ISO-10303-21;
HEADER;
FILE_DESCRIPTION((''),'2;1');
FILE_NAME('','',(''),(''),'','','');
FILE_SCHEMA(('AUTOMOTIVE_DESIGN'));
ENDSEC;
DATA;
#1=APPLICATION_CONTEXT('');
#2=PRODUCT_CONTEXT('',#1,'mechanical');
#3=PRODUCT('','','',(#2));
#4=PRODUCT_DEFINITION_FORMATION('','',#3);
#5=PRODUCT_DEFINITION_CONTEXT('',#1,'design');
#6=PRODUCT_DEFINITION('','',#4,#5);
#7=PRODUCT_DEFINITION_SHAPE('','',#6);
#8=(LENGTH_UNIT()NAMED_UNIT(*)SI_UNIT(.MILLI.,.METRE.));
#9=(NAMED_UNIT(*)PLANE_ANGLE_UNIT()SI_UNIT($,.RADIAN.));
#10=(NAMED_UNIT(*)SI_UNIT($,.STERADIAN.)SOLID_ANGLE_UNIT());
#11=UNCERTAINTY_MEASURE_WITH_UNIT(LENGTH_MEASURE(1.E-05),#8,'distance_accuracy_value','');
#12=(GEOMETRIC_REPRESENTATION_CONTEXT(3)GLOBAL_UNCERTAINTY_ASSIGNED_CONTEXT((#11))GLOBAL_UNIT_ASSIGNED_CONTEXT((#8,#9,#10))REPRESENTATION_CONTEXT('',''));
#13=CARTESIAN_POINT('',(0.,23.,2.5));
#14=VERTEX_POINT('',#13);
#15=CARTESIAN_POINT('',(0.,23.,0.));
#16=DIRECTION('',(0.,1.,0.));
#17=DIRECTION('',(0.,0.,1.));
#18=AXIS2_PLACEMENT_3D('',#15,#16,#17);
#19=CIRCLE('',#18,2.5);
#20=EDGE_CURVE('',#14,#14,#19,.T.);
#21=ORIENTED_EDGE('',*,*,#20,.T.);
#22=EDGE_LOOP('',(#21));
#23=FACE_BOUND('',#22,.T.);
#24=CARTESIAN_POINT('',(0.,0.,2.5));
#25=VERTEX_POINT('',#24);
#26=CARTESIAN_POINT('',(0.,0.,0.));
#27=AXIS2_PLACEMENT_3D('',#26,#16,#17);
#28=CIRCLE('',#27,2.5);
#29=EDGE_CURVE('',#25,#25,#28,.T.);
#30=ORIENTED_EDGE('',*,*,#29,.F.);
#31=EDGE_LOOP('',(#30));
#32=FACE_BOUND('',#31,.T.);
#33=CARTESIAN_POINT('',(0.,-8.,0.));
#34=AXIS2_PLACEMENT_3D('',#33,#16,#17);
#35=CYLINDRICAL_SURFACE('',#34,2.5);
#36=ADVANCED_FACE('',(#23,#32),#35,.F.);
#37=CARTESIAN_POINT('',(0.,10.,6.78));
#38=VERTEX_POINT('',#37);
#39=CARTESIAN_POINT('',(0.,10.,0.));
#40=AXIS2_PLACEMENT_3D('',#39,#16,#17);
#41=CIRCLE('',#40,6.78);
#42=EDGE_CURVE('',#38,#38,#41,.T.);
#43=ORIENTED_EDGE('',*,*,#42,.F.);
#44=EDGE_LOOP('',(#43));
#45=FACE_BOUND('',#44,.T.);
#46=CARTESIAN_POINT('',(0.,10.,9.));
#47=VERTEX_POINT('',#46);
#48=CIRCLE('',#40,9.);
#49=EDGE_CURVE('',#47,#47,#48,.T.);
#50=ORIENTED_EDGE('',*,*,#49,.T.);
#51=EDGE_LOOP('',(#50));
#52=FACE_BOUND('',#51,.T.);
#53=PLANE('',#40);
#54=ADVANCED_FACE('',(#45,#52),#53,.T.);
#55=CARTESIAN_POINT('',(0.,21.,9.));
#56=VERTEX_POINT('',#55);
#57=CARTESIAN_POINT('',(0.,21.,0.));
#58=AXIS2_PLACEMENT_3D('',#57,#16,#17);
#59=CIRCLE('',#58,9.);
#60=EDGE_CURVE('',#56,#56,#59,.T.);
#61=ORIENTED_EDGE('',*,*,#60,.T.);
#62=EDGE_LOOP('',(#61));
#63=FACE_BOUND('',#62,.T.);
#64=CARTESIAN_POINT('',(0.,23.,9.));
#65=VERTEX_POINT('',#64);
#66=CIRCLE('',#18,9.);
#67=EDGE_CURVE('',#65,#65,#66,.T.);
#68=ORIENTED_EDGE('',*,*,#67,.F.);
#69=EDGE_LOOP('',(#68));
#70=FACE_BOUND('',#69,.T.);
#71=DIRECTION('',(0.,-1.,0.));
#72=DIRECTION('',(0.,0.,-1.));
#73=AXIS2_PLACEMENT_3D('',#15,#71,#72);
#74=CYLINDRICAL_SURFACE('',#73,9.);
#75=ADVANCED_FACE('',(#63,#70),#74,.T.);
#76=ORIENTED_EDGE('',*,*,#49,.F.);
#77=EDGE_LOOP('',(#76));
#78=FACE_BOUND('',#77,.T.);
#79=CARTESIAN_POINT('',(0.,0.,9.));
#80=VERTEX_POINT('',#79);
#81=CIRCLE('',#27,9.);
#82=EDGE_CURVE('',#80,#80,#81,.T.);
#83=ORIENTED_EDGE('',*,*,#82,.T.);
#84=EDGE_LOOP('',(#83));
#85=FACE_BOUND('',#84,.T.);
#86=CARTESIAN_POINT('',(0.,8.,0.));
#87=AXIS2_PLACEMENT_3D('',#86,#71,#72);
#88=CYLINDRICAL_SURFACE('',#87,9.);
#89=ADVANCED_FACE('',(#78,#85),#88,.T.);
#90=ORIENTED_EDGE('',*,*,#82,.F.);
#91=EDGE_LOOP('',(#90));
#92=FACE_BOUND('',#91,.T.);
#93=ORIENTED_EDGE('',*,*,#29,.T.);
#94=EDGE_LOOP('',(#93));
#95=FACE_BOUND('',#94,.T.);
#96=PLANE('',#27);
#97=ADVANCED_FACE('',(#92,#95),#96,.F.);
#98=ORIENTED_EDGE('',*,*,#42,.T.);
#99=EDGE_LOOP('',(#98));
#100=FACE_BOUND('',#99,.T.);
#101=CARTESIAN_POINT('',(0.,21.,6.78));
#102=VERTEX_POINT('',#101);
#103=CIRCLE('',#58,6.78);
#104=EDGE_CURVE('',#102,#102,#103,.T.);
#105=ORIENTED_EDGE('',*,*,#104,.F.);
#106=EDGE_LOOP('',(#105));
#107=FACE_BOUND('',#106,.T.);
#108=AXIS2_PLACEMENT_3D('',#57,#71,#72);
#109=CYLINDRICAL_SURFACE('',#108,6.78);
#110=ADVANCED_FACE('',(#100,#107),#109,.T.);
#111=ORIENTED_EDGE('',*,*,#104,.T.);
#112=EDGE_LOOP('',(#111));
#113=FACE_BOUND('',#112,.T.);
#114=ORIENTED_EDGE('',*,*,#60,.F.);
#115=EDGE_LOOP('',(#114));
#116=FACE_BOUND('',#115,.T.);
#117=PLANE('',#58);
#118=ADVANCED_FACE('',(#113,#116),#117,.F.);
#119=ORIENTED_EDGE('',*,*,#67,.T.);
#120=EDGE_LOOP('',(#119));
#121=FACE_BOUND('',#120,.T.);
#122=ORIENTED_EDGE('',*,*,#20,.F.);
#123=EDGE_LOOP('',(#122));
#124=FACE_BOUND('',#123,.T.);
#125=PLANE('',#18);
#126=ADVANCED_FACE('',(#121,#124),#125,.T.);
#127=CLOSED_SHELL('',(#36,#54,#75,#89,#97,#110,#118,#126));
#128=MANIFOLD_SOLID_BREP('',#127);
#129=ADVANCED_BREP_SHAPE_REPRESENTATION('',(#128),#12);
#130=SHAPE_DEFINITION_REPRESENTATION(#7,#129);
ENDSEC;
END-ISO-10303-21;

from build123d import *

# Parameters (mm, degrees)
SKETCH_1_R          = 9
EXTRUDE_1_DEPTH     = 8
SKETCH_2_R          = 9
EXTRUDE_2_DEPTH     = 2
SKETCH_3_R          = 6.78
EXTRUDE_3_DEPTH     = 11
SKETCH_4_R          = 9
EXTRUDE_4_DEPTH     = 2
SKETCH_5_R          = 2.5
CUT_EXTRUDE_1_DEPTH = 31


with BuildPart() as part:
    # 草图1 → 凸台-拉伸1 (new body)
    with BuildSketch(Plane(origin=(0, 0, 0), x_dir=(1, 0, 0), z_dir=(0, 1, 0))):
        with Locations(Location((0, 0, 0), (0, 0, 270))):
            Circle(SKETCH_1_R)
    extrude(amount=EXTRUDE_1_DEPTH)

    # 草图2 → 凸台-拉伸2 (add)
    with BuildSketch(Plane(origin=(0, 8, 0), x_dir=(1, 0, 0), z_dir=(0, 1, 0))):
        with Locations(Location((0, 0, 0), (0, 0, 270))):
            Circle(SKETCH_2_R)
    extrude(amount=EXTRUDE_2_DEPTH)

    # 草图3 → 凸台-拉伸3 (add)
    with BuildSketch(Plane(origin=(0, 10, 0), x_dir=(1, 0, 0), z_dir=(0, 1, 0))):
        with Locations(Location((0, 0, 0), (0, 0, 270))):
            Circle(SKETCH_3_R)
    extrude(amount=EXTRUDE_3_DEPTH)

    # 草图4 → 凸台-拉伸4 (add)
    with BuildSketch(Plane(origin=(0, 21, 0), x_dir=(1, 0, 0), z_dir=(0, 1, 0))):
        with Locations(Location((0, 0, 0), (0, 0, 270))):
            Circle(SKETCH_4_R)
    extrude(amount=EXTRUDE_4_DEPTH)

    # 草图5 → 切除-拉伸1 (cut)
    with BuildSketch(Plane(origin=(0, 23, 0), x_dir=(1, 0, 0), z_dir=(0, 1, 0))):
        with Locations(Location((0, 0, 0), (0, 0, 270))):
            Circle(SKETCH_5_R)
    extrude(amount=-CUT_EXTRUDE_1_DEPTH, mode=Mode.SUBTRACT)


solid = part.part
